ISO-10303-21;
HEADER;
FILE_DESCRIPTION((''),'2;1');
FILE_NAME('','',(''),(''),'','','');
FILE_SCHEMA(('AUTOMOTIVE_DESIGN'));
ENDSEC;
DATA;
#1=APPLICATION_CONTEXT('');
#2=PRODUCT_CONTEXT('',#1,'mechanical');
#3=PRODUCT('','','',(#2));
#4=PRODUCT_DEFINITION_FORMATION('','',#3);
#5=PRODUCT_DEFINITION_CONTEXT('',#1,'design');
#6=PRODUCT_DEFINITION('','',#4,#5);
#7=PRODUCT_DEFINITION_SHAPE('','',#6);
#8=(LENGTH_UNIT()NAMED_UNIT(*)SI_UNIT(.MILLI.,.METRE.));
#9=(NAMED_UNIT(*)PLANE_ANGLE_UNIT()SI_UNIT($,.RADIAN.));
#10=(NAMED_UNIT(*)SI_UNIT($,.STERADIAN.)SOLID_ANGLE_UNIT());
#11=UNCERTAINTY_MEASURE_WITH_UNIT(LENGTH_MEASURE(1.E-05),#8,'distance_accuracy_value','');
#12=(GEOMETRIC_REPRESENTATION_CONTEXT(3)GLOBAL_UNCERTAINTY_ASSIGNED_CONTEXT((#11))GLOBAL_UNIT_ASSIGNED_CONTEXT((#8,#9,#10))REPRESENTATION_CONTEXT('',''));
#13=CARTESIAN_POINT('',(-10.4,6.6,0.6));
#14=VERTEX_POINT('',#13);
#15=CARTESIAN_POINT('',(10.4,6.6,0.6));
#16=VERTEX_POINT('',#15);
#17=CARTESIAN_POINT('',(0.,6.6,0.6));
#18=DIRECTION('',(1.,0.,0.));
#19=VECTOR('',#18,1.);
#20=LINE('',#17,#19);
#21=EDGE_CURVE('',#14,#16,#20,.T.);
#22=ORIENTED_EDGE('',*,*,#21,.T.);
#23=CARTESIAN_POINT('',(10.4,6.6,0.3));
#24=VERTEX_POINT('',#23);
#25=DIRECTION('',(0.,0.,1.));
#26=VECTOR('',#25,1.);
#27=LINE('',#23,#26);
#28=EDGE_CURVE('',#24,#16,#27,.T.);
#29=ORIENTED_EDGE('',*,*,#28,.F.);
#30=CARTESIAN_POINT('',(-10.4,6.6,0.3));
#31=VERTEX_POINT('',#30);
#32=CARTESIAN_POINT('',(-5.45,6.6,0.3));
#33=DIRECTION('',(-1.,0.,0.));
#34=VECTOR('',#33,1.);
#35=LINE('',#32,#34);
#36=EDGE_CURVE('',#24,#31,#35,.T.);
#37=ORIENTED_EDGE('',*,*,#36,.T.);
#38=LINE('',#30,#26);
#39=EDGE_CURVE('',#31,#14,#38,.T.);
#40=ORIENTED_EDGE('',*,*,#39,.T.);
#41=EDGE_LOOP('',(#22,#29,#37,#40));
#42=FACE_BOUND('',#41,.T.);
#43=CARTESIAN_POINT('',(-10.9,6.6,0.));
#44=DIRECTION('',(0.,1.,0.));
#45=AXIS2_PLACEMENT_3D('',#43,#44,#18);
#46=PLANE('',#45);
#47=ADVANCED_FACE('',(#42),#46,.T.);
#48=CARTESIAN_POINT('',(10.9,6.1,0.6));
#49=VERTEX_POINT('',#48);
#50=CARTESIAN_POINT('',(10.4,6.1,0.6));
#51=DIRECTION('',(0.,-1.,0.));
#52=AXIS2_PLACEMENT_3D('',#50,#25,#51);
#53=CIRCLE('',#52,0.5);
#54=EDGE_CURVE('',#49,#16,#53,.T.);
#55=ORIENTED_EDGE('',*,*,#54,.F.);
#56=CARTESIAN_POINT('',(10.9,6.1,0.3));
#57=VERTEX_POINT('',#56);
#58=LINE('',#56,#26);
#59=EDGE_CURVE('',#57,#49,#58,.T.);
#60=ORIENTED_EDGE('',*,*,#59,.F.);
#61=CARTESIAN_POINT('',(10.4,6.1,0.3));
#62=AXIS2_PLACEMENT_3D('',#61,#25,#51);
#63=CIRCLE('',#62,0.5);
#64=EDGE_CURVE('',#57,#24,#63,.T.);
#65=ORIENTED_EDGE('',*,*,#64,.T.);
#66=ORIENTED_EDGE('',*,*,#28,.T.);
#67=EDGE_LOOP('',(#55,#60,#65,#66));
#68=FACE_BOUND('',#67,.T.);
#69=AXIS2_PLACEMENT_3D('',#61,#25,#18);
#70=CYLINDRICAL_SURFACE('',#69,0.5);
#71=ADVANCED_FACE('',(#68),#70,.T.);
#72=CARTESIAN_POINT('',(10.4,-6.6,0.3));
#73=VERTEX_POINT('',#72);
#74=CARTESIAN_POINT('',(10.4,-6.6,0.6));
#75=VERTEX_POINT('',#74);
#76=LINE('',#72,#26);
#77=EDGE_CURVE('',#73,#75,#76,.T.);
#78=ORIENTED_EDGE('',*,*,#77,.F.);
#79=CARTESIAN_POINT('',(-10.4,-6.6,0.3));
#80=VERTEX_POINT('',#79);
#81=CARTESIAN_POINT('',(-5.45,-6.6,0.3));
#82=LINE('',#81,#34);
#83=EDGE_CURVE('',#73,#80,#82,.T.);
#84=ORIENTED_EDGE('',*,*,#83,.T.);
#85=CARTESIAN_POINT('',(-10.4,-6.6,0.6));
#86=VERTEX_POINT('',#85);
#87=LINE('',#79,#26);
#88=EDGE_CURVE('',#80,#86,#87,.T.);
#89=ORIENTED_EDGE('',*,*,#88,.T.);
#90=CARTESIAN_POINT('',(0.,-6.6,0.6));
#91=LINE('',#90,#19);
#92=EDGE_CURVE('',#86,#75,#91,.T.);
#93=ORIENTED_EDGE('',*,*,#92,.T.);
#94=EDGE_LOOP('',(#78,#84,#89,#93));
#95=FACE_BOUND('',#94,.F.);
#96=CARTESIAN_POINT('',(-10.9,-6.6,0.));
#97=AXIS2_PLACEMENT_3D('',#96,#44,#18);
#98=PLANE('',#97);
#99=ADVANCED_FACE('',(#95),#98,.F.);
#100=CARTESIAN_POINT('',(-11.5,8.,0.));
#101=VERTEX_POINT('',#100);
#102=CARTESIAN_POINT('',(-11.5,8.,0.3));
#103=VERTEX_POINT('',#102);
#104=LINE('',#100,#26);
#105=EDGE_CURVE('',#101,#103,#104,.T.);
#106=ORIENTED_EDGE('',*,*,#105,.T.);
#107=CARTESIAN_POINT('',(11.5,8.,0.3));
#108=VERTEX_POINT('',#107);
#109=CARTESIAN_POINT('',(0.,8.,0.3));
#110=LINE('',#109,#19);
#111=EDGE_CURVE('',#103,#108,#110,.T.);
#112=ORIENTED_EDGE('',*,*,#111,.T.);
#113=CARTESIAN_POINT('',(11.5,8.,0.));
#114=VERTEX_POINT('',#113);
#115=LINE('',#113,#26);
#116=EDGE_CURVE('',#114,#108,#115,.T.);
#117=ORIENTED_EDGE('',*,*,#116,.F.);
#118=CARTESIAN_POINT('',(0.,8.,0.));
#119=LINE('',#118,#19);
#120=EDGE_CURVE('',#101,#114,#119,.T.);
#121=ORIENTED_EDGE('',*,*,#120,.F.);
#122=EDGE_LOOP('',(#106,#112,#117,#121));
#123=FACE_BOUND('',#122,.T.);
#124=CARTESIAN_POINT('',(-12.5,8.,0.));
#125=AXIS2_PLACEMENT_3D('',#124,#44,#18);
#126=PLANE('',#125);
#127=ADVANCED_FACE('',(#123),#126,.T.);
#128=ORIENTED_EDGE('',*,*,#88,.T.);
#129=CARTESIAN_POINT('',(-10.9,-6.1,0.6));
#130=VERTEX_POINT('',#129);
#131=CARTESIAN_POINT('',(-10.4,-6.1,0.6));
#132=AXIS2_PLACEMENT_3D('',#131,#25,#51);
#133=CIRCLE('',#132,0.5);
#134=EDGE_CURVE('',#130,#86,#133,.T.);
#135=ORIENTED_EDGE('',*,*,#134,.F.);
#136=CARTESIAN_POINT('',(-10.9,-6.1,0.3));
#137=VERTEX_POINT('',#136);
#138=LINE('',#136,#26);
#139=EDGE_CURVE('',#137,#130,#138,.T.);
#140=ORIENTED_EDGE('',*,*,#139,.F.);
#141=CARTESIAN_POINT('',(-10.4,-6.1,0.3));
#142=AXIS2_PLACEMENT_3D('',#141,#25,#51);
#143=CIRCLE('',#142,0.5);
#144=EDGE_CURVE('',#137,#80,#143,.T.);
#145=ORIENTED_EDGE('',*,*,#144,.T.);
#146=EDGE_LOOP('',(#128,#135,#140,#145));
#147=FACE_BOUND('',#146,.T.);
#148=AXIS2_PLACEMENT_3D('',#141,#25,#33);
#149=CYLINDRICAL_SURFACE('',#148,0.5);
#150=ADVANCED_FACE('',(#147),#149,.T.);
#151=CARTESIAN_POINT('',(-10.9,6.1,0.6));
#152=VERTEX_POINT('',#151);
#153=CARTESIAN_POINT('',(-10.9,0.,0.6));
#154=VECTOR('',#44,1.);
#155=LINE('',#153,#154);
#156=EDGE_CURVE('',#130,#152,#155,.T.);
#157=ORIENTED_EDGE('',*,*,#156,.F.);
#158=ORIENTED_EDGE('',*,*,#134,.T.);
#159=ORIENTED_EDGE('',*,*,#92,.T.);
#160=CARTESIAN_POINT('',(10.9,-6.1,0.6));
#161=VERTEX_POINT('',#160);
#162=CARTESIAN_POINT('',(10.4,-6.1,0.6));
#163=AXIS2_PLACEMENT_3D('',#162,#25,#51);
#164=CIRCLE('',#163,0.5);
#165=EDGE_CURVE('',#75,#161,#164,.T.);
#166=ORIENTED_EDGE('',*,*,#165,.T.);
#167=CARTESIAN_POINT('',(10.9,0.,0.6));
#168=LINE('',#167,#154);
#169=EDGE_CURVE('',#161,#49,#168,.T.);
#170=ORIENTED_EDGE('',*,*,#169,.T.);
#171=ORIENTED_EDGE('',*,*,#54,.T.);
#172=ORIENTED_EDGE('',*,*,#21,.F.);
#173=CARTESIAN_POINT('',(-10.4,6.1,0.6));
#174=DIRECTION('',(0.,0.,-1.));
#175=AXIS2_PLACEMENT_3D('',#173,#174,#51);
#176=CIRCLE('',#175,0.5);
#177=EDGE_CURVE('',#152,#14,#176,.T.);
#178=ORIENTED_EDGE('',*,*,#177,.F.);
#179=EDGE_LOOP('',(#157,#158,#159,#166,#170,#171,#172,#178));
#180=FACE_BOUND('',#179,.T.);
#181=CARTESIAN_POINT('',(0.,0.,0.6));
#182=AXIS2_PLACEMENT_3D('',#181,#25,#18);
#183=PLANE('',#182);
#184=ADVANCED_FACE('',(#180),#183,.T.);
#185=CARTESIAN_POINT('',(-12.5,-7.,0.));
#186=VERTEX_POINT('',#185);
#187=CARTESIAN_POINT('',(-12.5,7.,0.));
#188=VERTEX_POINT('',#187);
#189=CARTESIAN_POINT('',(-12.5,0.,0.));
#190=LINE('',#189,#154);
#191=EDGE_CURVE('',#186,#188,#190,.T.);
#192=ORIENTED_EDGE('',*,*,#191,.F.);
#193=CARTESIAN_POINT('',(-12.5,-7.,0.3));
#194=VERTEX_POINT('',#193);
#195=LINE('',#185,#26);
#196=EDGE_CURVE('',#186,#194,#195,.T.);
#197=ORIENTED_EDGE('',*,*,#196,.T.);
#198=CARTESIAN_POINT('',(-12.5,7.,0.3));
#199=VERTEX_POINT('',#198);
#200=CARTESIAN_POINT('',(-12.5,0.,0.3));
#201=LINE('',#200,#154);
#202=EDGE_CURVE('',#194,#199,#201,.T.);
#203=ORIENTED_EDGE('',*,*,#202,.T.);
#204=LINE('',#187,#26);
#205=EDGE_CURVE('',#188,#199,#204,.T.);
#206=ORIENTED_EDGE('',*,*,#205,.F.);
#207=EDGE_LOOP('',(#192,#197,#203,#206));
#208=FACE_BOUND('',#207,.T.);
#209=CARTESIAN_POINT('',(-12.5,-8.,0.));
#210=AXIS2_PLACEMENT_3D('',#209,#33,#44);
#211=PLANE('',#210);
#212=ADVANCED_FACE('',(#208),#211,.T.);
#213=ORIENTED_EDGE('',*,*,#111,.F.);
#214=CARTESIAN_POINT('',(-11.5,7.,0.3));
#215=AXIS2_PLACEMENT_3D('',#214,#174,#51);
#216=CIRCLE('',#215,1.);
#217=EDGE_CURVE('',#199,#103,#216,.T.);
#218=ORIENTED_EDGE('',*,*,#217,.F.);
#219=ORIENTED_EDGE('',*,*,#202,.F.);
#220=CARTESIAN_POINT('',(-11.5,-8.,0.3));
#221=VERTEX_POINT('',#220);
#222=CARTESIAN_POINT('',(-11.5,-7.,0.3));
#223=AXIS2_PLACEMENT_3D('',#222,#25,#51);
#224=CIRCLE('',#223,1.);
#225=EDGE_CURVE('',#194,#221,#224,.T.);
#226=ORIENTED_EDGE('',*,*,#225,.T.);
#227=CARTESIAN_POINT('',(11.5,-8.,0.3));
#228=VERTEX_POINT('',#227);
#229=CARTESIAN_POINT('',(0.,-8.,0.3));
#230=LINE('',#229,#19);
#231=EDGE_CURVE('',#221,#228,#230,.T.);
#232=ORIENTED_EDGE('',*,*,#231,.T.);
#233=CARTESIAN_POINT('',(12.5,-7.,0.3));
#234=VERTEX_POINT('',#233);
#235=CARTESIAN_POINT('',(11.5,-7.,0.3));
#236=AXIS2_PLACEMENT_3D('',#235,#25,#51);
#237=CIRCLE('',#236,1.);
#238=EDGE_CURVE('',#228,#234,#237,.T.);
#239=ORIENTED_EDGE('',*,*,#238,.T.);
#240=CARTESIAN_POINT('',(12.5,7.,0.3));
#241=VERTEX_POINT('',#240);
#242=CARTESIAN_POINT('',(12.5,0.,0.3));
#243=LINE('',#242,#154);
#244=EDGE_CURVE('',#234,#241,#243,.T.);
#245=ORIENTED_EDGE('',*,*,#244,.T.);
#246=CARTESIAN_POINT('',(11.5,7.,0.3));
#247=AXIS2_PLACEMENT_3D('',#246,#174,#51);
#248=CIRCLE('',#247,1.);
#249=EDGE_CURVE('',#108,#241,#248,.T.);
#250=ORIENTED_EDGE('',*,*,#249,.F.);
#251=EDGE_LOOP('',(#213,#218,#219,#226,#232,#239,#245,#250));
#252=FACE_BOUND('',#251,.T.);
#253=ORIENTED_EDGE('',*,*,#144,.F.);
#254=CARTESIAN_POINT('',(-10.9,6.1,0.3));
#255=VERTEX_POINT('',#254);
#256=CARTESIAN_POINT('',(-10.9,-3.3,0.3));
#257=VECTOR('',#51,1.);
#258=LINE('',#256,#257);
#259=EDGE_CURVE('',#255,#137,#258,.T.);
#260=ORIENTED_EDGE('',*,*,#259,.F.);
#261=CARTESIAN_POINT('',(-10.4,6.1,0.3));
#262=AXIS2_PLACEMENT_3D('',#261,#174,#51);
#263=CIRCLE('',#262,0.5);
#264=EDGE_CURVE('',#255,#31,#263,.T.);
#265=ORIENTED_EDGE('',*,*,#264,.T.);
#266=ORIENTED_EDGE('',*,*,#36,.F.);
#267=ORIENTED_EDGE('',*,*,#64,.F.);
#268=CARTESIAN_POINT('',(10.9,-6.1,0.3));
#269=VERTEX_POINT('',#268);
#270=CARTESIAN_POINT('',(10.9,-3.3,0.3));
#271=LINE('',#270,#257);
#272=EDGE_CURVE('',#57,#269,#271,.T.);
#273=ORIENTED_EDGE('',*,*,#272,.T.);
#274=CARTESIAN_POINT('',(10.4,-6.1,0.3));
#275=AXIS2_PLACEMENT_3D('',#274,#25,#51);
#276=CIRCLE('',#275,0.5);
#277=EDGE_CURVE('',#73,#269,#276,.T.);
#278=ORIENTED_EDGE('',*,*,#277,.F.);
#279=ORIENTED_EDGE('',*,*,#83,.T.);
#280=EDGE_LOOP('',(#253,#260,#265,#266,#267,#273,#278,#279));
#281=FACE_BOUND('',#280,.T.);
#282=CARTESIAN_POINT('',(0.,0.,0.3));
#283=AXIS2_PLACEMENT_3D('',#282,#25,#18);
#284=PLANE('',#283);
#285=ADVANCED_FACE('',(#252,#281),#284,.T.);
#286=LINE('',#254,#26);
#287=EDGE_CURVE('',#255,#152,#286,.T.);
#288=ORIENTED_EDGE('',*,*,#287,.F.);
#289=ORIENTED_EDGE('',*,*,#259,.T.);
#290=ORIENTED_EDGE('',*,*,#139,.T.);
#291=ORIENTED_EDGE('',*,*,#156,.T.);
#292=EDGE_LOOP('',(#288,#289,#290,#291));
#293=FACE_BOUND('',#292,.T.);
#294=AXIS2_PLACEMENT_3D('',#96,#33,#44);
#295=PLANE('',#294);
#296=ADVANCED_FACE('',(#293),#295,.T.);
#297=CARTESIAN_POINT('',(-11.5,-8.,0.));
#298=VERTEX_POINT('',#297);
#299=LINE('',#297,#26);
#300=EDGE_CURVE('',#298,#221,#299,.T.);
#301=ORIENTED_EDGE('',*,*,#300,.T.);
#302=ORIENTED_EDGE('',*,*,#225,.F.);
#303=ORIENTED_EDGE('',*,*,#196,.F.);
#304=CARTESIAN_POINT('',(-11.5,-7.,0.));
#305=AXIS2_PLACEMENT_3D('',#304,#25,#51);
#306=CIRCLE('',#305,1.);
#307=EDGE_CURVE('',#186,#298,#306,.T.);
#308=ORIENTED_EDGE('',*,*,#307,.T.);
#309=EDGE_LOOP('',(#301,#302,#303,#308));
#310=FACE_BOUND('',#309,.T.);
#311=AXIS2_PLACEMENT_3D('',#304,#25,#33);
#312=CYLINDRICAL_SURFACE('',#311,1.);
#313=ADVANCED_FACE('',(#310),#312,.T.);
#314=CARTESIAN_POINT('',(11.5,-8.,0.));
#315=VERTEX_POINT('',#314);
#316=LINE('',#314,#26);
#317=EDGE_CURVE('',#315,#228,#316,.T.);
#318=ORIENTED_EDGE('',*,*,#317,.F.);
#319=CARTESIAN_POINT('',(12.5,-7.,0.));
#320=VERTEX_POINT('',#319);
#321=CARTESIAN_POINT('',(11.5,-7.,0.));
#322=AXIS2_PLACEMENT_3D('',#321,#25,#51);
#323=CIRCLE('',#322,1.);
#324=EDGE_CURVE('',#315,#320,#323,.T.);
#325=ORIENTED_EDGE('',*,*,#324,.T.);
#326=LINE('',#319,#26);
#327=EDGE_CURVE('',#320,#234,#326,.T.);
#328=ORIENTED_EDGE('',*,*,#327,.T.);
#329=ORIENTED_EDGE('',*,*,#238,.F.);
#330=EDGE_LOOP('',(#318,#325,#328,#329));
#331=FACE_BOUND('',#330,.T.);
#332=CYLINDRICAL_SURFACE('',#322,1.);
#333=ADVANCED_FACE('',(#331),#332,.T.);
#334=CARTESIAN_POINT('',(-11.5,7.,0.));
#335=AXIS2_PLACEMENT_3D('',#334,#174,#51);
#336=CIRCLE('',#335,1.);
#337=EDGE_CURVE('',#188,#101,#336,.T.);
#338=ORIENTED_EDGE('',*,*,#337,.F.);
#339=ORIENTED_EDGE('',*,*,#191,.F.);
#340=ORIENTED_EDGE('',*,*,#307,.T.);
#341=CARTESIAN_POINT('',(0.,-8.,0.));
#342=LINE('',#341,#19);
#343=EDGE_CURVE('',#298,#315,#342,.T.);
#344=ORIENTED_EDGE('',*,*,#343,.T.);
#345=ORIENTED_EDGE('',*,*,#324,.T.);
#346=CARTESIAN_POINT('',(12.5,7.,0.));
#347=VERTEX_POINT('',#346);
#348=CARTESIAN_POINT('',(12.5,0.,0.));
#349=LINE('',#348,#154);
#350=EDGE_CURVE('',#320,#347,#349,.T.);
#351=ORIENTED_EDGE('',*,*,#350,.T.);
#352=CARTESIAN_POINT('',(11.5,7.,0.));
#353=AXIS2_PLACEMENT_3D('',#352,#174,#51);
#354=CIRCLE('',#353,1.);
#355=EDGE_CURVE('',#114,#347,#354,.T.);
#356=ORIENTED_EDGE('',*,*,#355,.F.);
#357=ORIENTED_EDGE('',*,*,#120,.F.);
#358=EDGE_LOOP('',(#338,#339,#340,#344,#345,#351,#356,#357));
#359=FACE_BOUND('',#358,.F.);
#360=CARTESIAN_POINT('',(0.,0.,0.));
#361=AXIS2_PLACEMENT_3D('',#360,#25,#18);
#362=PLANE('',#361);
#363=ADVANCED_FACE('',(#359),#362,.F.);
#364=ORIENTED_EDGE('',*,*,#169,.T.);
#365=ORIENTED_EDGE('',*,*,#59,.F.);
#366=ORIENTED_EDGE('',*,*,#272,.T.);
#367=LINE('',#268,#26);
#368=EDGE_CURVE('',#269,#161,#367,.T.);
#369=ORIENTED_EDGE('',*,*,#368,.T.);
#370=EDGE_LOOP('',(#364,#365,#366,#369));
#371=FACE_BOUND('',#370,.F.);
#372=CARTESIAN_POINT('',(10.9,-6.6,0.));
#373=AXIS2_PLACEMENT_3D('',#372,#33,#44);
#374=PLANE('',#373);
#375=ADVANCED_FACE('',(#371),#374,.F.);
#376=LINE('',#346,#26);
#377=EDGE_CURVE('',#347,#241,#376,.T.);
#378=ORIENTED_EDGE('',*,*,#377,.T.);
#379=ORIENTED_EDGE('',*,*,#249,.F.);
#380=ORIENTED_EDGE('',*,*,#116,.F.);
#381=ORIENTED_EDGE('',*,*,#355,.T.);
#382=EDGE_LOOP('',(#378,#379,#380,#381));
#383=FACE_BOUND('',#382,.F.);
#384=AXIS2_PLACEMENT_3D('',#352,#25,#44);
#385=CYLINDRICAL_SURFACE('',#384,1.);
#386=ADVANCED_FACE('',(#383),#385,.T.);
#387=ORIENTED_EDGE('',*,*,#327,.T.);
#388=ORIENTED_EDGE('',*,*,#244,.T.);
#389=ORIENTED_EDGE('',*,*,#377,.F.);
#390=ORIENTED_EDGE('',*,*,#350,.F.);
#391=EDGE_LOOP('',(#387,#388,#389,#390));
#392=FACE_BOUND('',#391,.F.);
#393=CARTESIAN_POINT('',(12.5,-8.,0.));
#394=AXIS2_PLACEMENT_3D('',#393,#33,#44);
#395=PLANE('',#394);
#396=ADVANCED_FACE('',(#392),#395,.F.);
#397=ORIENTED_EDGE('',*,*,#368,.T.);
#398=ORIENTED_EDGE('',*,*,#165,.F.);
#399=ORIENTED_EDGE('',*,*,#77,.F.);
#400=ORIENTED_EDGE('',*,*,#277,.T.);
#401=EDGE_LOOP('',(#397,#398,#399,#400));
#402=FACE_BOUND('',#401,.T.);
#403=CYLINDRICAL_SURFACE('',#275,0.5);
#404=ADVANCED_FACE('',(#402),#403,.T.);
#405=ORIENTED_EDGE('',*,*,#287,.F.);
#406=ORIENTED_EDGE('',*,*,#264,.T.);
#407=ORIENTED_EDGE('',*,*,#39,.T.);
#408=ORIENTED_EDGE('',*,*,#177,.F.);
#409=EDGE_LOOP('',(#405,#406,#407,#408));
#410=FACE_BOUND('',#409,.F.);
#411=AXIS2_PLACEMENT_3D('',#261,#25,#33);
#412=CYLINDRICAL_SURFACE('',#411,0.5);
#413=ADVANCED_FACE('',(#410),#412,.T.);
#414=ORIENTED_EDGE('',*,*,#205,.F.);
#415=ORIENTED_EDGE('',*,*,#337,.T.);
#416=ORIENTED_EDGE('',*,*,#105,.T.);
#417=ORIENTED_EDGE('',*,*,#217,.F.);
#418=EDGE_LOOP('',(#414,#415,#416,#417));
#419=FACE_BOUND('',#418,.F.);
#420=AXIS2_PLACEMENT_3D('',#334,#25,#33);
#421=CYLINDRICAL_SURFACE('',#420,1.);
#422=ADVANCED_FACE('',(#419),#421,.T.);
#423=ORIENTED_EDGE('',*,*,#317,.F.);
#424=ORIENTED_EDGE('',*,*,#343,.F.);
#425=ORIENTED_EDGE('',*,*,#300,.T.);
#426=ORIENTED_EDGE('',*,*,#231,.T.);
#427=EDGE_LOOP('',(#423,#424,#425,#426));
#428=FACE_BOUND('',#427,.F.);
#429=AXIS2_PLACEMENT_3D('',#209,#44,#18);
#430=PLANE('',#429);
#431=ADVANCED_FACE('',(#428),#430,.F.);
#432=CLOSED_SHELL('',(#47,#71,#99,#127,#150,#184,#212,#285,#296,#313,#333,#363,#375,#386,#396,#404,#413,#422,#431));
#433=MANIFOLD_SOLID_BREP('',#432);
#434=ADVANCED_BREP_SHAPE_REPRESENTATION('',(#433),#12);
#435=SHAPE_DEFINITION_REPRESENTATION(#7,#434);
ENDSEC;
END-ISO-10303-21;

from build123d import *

# Parameters (mm, degrees)
F0_W     = 25
F0_H     = 16
F0_W_2   = 21.8
F0_H_2   = 13.2
F1_DEPTH = 0.3
F2_DEPTH = 0.6
F3_R     = 1
F4_R     = 0.5


with BuildPart() as f1:
    # F0 (on Top) → F1 (new body)
    with BuildSketch(Plane.XY):
        Rectangle(F0_W, F0_H)
        Rectangle(F0_W_2, F0_H_2, mode=Mode.SUBTRACT)
        Rectangle(F0_W_2, F0_H_2)
    extrude(amount=F1_DEPTH)

    # F0 (on Top) → F2 (join)
    with BuildSketch(Plane.XY):
        Rectangle(F0_W_2, F0_H_2)
    extrude(amount=F2_DEPTH)

    # F3
    f3_edges = [f1.edges().sort_by_distance(p)[0] for p in [
        (-12.5, 8, 0.15),
        (-12.5, -8, 0.15),
        (12.5, -8, 0.15),
        (12.5, 8, 0.15),
    ]]
    fillet(f3_edges, radius=F3_R)

    # F4
    f4_edges = [f1.edges().sort_by_distance(p)[0] for p in [
        (-10.9, -6.6, 0.45),
        (10.9, -6.6, 0.45),
        (-10.9, 6.6, 0.45),
        (10.9, 6.6, 0.45),
    ]]
    fillet(f4_edges, radius=F4_R)


solid = f1.part
